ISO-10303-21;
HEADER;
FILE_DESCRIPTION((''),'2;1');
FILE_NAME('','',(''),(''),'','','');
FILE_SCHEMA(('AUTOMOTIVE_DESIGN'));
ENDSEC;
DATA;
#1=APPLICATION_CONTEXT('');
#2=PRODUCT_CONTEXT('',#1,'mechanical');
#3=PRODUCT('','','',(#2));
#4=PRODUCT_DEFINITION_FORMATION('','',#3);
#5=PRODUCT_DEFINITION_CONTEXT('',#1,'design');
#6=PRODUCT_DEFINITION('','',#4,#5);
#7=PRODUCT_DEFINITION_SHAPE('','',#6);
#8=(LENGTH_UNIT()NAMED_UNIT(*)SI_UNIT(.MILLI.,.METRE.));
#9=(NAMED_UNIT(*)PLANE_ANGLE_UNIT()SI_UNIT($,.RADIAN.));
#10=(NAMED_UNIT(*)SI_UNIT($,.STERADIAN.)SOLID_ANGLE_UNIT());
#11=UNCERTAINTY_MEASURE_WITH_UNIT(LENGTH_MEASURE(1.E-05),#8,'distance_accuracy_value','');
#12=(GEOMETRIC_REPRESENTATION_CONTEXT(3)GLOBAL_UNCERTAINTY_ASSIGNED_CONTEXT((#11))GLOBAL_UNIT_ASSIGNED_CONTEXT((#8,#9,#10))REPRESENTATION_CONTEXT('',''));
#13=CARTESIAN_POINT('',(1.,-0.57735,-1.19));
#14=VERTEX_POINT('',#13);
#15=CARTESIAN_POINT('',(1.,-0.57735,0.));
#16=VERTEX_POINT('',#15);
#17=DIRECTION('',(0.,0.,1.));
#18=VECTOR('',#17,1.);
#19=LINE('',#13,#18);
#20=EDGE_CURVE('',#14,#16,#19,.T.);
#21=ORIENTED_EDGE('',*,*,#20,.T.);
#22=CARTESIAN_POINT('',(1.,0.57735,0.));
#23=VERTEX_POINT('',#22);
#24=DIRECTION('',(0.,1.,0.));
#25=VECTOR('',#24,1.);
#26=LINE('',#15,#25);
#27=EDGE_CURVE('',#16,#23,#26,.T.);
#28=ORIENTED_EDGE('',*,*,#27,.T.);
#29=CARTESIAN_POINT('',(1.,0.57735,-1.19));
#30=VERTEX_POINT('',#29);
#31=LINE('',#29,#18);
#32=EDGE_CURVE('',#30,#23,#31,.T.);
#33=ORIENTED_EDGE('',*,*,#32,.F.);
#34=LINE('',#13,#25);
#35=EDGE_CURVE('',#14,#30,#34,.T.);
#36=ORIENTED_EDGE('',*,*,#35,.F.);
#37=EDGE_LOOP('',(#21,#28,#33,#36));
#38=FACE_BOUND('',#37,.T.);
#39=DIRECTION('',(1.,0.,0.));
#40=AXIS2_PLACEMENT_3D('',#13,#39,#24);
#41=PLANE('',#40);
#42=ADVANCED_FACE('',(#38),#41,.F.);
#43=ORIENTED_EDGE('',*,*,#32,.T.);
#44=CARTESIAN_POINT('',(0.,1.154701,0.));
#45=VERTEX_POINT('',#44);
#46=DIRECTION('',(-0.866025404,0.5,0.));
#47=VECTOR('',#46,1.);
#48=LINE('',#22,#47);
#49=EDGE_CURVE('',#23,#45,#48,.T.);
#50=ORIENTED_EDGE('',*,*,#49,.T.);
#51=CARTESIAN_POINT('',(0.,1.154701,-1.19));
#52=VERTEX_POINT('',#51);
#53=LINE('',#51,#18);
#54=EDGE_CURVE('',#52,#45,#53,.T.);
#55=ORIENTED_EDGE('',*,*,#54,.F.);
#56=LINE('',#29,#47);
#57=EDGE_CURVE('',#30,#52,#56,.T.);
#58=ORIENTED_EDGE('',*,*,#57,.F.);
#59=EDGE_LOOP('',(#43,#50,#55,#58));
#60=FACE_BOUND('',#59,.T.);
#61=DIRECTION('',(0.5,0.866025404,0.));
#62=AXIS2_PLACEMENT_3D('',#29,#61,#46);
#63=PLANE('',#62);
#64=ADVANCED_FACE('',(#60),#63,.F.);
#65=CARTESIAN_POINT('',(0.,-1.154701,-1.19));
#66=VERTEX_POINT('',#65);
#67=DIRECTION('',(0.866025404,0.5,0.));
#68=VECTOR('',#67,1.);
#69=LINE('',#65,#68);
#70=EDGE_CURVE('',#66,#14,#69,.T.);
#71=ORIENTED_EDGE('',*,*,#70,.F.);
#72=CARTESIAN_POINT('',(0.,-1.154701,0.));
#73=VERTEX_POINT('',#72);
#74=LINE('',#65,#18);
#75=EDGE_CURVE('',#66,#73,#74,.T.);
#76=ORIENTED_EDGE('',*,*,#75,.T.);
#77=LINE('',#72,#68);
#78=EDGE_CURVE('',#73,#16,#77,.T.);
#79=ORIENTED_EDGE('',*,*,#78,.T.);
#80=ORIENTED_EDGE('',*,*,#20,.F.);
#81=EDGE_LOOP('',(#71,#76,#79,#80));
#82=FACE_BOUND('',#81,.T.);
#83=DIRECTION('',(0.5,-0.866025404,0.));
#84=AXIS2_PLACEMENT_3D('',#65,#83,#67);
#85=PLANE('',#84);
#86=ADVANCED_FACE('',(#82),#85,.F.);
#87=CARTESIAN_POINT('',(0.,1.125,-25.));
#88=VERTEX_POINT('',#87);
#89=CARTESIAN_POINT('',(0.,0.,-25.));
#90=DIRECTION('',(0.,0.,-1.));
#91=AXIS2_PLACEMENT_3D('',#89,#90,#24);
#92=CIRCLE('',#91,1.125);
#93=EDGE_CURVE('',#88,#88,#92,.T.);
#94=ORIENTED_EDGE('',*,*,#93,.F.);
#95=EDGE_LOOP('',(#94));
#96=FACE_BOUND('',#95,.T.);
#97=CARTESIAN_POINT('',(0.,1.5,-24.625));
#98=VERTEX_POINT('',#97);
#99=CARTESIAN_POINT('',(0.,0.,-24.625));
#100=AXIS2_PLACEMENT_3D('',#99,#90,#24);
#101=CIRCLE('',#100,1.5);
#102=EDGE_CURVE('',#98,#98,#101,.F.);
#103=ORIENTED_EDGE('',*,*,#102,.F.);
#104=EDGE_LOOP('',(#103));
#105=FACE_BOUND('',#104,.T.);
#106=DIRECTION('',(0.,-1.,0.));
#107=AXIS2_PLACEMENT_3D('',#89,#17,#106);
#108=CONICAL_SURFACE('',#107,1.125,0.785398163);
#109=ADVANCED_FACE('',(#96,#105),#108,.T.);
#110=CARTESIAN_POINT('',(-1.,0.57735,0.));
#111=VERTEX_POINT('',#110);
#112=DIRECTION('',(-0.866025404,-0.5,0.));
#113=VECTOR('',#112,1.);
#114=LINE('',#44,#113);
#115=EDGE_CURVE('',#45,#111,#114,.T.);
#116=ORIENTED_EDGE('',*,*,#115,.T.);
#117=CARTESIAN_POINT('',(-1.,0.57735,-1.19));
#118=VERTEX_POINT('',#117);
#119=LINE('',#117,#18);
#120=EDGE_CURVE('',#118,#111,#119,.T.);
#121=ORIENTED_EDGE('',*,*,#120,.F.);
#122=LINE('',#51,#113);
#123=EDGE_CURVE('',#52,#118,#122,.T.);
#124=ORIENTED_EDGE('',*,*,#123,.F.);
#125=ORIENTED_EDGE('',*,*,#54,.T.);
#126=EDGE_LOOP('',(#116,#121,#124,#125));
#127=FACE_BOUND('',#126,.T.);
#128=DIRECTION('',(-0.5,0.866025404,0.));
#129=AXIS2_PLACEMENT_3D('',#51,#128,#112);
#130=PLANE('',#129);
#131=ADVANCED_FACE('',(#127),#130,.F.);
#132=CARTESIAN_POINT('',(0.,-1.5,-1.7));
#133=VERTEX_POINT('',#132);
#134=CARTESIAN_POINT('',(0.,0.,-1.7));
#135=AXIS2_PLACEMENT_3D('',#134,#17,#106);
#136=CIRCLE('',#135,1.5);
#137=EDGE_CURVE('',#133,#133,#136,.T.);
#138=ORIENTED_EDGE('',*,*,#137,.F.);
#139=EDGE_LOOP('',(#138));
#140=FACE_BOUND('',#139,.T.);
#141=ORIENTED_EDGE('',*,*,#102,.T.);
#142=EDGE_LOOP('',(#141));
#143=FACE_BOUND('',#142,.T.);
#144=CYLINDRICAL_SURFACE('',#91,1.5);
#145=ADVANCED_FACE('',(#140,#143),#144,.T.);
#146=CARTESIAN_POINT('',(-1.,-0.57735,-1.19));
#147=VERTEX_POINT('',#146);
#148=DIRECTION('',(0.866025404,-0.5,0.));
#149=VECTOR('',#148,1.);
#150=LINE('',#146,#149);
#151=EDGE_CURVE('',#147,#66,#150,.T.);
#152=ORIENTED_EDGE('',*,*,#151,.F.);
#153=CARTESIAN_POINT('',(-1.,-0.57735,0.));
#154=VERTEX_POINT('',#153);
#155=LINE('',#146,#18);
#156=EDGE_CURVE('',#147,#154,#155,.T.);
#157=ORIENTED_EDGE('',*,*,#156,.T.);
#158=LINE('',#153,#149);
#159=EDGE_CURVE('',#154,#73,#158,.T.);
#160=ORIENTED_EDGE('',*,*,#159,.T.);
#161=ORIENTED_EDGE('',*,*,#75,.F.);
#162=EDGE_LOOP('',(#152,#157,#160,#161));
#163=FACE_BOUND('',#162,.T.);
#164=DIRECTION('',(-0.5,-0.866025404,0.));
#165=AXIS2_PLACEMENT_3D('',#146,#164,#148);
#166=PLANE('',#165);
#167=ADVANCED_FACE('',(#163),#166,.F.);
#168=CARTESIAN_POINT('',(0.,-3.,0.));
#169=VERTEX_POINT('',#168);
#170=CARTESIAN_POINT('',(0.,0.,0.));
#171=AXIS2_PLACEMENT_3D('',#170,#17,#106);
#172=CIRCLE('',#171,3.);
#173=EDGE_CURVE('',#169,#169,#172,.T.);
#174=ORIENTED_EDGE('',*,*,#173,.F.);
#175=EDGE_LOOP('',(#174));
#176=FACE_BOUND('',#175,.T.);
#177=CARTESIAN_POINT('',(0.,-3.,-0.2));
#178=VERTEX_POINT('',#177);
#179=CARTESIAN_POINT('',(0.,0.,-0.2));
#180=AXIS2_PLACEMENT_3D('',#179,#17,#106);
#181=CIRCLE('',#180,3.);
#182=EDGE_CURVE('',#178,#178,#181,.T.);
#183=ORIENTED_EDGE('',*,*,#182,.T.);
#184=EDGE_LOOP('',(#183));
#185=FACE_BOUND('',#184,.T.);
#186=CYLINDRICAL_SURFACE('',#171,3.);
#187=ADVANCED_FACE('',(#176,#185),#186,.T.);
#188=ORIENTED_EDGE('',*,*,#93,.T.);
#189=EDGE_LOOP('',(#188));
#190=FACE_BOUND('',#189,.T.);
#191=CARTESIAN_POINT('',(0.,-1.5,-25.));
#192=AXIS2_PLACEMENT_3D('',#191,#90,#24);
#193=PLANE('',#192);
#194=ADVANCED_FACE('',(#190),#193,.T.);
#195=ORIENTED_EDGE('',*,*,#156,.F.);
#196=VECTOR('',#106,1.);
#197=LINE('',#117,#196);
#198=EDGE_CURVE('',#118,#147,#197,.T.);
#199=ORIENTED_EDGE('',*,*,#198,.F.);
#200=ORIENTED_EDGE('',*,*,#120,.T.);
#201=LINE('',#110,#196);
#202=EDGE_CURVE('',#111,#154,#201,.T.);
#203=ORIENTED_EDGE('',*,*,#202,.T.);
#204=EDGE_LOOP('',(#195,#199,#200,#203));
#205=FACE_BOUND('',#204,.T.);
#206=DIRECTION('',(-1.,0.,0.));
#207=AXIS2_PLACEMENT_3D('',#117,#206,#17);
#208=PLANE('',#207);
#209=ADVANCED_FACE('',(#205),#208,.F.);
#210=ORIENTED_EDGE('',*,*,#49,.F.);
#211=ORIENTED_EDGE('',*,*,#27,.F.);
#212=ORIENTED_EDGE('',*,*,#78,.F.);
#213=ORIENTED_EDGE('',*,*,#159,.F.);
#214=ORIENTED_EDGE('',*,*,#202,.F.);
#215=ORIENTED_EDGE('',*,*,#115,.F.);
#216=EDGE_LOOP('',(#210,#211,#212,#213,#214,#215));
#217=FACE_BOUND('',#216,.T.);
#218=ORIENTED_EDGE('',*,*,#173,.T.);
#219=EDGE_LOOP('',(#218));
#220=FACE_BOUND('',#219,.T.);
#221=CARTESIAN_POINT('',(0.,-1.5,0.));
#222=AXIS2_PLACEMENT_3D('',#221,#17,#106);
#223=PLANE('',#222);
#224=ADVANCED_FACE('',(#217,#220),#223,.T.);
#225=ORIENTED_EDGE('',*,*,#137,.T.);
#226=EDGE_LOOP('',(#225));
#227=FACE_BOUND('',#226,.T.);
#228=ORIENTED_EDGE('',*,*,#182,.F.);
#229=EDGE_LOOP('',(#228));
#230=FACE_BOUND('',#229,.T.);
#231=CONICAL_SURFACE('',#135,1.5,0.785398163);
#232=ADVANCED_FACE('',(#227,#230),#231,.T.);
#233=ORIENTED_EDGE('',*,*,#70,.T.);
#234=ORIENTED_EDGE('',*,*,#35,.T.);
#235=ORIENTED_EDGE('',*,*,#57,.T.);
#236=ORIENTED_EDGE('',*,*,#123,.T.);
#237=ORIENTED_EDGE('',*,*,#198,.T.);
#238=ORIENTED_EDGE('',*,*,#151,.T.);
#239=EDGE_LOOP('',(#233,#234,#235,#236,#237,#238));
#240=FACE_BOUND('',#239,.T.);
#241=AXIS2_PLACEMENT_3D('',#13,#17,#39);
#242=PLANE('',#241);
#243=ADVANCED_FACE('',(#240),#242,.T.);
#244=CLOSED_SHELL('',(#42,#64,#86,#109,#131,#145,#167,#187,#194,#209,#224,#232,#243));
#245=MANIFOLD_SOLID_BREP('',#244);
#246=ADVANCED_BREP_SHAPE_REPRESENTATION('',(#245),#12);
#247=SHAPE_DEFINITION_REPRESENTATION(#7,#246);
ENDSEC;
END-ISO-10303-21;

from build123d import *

# Parameters (mm, degrees)
SKETCH1_W          = 25
SKETCH1_H          = 1.5
CHAMFER1_SIZE      = 0.375
CUT_EXTRUDE2_DEPTH = 1.19


with BuildPart() as part:
    # Sketch1 → Revolve1 (revolve)
    with BuildSketch(Plane(origin=(0, 0, 0), x_dir=(0, 0, -1), z_dir=(1, 0, 0))):
        with Locations((12.5, 0.75)):
            Rectangle(SKETCH1_W, SKETCH1_H)
    revolve(axis=Axis((0, 0, -25), (0, 0, 1)))

    # Chamfer1
    chamfer1_edges = [part.edges().sort_by_distance(p)[0] for p in [
        (0, -1.5, -25),
    ]]
    chamfer(chamfer1_edges, length=CHAMFER1_SIZE)

    # Sketch7 → Revolve2 (revolve)
    with BuildSketch(Plane(origin=(0, 0, 0), x_dir=(0, 0, -1), z_dir=(1, 0, 0)), mode=Mode.PRIVATE) as revolve2_sk:
        Polygon((0, 3), (0.2, 3), (1.7, 1.5), (1.7, 0), (0, 0), align=None)
    revolve(revolve2_sk.sketch.rotate(Axis((0, 0, 0), (0, 0, -1)), 180), axis=Axis((0, 0, 0), (0, 0, -1)))

    # Boss-Extrude1 cone 1 section (through the dimple's axis) → Boss-Extrude1 (revolve)
    with BuildSketch(Plane(origin=(0, 0, -1.7), x_dir=(0, -1, 0), z_dir=(1, 0, 0))):
        Polygon((0, 0), (1.5, 0), (0, 1.5), align=None)
    revolve(axis=Axis((0, 0, -1.7), (0, 0, -1)))

    # Sketch5 → Cut-Extrude2 (cut)
    with BuildSketch(Plane.XY):
        Polygon((1, -0.577350269), (1, 0.577350269), (0, 1.154700538), (-1, 0.577350269), (-1, -0.577350269), (0, -1.154700538), align=None)
    extrude(amount=-CUT_EXTRUDE2_DEPTH, mode=Mode.SUBTRACT)


solid = part.part
